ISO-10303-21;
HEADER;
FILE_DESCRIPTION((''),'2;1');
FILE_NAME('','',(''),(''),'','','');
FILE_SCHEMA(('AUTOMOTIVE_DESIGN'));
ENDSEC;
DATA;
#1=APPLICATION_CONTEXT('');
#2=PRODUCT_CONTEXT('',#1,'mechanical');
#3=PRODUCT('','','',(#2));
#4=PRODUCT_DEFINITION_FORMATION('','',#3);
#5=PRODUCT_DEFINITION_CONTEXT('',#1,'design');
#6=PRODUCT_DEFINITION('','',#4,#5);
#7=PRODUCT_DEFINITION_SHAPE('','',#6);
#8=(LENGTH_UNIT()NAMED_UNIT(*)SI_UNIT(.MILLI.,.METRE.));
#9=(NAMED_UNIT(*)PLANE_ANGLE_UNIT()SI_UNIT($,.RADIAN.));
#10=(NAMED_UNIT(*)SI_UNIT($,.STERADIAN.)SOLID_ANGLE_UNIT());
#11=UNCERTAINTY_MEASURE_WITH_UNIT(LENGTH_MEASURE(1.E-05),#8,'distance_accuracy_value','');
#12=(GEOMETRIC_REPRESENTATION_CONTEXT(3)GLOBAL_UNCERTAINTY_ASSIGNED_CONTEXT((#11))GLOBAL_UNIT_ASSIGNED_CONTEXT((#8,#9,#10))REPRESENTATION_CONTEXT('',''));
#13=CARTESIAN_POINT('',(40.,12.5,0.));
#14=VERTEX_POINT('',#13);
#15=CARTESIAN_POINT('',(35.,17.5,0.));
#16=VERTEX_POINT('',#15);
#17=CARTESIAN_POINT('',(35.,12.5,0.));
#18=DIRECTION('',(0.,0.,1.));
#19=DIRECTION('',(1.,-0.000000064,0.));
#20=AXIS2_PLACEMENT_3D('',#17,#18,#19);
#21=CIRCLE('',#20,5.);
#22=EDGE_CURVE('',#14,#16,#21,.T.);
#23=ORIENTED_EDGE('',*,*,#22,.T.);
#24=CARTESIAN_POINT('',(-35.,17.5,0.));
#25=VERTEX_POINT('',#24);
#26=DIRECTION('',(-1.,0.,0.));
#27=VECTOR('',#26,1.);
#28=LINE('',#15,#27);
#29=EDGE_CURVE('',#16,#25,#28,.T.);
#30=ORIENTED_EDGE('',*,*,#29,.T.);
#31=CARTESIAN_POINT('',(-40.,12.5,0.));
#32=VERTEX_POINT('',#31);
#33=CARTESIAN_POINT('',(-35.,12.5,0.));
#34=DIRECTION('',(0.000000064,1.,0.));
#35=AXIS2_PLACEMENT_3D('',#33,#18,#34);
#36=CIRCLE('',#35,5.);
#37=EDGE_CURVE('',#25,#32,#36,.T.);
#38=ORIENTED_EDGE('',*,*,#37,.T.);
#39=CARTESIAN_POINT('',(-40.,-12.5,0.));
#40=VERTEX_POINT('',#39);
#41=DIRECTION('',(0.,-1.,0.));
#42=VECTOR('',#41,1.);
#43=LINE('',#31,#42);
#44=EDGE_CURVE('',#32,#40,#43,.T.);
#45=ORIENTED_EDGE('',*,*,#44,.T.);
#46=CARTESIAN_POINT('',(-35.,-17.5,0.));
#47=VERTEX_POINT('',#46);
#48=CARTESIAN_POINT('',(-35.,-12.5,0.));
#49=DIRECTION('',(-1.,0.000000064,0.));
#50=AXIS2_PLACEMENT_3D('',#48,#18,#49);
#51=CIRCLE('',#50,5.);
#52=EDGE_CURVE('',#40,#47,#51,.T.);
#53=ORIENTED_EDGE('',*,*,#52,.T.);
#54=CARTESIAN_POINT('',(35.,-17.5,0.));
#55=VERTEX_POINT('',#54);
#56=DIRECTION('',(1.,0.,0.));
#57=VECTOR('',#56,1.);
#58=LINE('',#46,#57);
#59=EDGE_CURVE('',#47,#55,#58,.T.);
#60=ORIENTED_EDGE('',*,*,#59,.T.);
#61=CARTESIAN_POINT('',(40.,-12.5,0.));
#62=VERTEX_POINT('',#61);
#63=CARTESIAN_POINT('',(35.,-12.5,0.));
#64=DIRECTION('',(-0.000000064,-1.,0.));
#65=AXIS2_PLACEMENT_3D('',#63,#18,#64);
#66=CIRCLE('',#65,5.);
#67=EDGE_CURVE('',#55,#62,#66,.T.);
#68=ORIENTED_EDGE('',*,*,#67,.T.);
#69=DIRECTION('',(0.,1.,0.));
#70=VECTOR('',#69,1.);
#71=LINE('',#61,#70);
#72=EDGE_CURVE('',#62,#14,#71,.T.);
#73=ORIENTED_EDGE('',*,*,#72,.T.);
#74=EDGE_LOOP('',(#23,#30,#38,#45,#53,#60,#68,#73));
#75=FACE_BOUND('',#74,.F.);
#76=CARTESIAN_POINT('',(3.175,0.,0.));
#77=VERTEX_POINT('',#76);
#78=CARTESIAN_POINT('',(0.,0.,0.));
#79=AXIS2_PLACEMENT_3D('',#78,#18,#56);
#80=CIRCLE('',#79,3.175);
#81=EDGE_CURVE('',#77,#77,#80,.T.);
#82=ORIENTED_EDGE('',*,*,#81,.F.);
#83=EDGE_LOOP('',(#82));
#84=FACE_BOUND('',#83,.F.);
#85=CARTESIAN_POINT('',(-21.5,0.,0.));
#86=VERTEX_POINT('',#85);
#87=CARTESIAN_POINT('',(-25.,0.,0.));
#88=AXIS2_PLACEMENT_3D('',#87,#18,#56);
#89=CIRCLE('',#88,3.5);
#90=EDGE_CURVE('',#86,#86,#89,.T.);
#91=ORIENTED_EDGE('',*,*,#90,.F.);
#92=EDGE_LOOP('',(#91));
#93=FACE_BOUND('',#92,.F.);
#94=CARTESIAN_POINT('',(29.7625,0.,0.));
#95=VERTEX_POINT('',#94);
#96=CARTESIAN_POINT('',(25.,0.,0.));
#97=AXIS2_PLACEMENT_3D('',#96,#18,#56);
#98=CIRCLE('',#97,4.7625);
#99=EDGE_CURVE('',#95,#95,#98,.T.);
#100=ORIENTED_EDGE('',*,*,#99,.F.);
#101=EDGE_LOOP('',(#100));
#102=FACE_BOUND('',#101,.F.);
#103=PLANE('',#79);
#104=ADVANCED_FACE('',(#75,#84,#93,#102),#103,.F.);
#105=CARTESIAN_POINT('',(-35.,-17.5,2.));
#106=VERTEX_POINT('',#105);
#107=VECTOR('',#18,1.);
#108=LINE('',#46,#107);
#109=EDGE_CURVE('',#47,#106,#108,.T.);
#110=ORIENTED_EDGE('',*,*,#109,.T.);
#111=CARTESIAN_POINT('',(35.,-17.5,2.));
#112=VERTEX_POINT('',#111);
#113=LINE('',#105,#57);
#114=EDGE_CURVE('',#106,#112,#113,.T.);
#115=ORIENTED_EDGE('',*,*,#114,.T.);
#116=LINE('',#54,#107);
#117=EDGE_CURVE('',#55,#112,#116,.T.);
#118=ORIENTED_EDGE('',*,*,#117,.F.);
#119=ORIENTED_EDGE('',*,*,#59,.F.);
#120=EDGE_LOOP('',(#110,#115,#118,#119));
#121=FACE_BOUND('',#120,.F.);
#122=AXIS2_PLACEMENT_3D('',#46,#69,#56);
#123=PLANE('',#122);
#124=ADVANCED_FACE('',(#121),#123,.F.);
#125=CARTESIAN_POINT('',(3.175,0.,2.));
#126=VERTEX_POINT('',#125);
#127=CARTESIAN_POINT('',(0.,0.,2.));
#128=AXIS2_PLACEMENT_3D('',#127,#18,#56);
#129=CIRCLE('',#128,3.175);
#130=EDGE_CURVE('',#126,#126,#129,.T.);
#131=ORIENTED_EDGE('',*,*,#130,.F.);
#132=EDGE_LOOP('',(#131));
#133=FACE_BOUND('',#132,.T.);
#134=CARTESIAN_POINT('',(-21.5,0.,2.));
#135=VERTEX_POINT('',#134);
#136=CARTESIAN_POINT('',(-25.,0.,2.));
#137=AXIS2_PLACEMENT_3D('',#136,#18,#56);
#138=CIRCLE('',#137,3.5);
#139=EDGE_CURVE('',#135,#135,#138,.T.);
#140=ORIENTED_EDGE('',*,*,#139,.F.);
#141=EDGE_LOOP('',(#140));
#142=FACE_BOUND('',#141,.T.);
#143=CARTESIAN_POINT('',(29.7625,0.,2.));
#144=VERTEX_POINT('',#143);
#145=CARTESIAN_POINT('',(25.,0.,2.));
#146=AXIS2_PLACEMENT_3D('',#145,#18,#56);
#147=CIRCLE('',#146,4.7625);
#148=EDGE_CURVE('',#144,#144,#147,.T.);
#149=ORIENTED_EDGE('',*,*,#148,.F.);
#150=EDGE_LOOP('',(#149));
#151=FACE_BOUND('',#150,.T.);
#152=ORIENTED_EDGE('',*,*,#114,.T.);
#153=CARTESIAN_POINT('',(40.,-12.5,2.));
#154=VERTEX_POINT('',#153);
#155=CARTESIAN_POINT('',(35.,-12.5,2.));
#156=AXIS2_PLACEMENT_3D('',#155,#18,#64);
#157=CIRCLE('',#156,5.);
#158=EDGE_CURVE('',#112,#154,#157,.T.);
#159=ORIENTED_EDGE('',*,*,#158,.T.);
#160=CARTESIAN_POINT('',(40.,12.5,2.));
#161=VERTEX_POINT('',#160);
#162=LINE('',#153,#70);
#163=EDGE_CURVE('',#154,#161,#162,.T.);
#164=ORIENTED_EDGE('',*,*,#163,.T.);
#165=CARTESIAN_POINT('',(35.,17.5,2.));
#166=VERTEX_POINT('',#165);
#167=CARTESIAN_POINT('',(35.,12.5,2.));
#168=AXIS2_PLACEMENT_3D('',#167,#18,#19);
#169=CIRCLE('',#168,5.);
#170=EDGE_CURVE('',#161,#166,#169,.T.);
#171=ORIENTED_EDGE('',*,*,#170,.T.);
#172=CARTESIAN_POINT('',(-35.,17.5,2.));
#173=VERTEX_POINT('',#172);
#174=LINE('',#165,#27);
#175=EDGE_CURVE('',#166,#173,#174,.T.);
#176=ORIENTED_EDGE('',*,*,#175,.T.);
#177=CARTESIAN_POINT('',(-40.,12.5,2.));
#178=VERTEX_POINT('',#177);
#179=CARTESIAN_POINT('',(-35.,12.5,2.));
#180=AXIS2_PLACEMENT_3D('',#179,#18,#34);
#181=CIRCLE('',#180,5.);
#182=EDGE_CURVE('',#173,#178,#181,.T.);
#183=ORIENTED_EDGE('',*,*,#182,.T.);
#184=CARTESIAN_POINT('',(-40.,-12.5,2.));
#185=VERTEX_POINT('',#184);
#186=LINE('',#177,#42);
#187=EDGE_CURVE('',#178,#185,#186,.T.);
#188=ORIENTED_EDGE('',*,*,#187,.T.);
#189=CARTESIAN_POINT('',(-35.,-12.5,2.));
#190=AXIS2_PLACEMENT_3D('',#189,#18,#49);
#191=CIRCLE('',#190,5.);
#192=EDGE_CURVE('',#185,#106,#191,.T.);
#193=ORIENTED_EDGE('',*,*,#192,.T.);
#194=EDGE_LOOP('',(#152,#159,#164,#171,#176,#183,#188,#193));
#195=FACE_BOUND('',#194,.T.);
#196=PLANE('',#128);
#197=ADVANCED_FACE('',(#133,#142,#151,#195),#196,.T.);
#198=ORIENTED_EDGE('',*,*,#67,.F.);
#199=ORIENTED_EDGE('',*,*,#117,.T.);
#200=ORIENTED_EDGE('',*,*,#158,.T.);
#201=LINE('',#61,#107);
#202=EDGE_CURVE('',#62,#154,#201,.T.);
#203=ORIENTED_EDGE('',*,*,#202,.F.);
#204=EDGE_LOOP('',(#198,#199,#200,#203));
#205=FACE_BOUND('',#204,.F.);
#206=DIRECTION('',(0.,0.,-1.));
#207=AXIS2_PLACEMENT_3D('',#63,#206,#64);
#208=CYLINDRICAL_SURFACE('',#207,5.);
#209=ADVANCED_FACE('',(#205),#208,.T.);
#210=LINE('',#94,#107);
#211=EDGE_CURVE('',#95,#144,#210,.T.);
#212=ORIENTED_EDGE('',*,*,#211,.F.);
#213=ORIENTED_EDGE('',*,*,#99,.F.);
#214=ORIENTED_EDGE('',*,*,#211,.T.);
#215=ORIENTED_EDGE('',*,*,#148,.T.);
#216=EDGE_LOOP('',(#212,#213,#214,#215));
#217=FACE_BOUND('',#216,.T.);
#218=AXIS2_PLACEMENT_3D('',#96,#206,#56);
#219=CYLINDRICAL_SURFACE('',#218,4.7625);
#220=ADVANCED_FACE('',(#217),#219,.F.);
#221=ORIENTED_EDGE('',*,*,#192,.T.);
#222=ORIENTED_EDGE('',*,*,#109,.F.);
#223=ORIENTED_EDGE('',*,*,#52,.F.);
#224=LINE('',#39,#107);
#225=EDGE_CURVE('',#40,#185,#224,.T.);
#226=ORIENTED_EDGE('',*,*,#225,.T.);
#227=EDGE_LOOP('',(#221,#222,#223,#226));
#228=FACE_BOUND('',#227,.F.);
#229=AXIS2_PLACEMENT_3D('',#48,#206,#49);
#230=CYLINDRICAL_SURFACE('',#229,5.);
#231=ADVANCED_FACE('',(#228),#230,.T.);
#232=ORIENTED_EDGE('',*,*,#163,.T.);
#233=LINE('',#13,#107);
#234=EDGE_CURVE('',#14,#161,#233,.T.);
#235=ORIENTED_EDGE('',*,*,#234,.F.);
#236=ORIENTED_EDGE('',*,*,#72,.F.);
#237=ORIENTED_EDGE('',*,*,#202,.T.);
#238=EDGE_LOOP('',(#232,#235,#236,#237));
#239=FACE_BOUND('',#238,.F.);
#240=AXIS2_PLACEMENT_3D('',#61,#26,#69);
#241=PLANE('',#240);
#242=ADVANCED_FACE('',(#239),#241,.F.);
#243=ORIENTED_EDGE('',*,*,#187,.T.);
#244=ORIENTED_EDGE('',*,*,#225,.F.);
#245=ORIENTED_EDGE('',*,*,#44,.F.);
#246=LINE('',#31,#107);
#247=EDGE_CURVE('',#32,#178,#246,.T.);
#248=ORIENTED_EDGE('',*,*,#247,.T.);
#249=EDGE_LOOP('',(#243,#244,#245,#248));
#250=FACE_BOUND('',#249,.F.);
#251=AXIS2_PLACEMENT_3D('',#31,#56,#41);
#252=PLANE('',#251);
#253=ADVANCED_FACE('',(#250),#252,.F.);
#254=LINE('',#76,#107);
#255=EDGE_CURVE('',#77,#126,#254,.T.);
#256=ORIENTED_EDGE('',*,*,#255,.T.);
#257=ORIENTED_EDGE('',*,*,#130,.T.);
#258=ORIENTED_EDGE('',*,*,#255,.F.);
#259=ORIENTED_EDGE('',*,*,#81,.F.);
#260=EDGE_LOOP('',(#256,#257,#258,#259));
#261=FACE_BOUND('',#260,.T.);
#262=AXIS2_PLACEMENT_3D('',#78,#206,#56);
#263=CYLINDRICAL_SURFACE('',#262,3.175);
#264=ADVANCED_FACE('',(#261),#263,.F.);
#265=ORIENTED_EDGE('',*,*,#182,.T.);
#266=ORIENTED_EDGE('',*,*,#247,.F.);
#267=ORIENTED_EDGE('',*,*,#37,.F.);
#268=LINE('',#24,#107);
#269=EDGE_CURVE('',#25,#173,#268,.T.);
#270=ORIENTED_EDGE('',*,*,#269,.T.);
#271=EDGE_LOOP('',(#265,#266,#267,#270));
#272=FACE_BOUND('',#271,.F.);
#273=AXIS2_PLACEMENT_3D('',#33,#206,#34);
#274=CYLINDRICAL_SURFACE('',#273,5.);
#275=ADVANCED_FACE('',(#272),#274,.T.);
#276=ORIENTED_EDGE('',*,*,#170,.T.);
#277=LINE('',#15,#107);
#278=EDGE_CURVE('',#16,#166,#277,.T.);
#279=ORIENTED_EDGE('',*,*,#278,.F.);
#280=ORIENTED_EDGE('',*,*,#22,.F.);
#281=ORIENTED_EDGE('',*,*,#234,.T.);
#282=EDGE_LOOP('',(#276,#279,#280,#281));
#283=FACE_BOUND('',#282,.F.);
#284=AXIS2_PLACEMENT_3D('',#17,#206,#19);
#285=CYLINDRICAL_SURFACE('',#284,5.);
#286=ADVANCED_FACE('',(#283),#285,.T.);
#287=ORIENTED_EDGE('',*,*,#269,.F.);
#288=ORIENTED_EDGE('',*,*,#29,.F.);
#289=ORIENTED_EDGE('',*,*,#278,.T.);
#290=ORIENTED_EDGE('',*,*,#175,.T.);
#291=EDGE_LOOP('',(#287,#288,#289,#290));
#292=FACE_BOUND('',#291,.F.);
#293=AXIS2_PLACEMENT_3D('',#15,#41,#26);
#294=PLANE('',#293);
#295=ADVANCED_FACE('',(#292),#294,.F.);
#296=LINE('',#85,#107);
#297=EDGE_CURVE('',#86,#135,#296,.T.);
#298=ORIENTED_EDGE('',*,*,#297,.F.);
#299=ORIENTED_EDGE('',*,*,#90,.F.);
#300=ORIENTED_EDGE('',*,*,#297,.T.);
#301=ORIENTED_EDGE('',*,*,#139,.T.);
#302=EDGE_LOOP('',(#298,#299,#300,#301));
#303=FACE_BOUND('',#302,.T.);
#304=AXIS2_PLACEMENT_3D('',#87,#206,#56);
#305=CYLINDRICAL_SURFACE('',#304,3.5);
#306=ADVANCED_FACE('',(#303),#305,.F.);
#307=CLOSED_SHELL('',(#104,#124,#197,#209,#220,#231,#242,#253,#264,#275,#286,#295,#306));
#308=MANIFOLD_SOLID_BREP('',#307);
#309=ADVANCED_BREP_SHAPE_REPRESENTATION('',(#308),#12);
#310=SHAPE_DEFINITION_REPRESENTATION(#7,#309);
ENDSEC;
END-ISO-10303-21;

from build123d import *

# Parameters (mm, degrees)
F0_R     = 3.5
F0_R_2   = 3.175
F0_R_3   = 4.7625
F1_DEPTH = 2


with BuildPart() as f1:
    # F0 (on Top) → F1 (new body)
    with BuildSketch(Plane.XY):
        with BuildLine():
            ThreePointArc((40, 12.5), (38.535534, 16.035534), (35, 17.5))
            Line((35, 17.5), (-35, 17.5))
            ThreePointArc((-35, 17.5), (-38.535534, 16.035534), (-40, 12.5))
            Line((-40, 12.5), (-40, -12.5))
            ThreePointArc((-40, -12.5), (-38.535534, -16.035534), (-35, -17.5))
            Line((-35, -17.5), (35, -17.5))
            ThreePointArc((35, -17.5), (38.535534, -16.035534), (40, -12.5))
            Line((40, -12.5), (40, 12.5))
        make_face()
        with Locations((-25, 0)):
            Circle(F0_R, mode=Mode.SUBTRACT)
        Circle(F0_R_2, mode=Mode.SUBTRACT)
        with Locations((25, 0)):
            Circle(F0_R_3, mode=Mode.SUBTRACT)
    extrude(amount=F1_DEPTH)


solid = f1.part
